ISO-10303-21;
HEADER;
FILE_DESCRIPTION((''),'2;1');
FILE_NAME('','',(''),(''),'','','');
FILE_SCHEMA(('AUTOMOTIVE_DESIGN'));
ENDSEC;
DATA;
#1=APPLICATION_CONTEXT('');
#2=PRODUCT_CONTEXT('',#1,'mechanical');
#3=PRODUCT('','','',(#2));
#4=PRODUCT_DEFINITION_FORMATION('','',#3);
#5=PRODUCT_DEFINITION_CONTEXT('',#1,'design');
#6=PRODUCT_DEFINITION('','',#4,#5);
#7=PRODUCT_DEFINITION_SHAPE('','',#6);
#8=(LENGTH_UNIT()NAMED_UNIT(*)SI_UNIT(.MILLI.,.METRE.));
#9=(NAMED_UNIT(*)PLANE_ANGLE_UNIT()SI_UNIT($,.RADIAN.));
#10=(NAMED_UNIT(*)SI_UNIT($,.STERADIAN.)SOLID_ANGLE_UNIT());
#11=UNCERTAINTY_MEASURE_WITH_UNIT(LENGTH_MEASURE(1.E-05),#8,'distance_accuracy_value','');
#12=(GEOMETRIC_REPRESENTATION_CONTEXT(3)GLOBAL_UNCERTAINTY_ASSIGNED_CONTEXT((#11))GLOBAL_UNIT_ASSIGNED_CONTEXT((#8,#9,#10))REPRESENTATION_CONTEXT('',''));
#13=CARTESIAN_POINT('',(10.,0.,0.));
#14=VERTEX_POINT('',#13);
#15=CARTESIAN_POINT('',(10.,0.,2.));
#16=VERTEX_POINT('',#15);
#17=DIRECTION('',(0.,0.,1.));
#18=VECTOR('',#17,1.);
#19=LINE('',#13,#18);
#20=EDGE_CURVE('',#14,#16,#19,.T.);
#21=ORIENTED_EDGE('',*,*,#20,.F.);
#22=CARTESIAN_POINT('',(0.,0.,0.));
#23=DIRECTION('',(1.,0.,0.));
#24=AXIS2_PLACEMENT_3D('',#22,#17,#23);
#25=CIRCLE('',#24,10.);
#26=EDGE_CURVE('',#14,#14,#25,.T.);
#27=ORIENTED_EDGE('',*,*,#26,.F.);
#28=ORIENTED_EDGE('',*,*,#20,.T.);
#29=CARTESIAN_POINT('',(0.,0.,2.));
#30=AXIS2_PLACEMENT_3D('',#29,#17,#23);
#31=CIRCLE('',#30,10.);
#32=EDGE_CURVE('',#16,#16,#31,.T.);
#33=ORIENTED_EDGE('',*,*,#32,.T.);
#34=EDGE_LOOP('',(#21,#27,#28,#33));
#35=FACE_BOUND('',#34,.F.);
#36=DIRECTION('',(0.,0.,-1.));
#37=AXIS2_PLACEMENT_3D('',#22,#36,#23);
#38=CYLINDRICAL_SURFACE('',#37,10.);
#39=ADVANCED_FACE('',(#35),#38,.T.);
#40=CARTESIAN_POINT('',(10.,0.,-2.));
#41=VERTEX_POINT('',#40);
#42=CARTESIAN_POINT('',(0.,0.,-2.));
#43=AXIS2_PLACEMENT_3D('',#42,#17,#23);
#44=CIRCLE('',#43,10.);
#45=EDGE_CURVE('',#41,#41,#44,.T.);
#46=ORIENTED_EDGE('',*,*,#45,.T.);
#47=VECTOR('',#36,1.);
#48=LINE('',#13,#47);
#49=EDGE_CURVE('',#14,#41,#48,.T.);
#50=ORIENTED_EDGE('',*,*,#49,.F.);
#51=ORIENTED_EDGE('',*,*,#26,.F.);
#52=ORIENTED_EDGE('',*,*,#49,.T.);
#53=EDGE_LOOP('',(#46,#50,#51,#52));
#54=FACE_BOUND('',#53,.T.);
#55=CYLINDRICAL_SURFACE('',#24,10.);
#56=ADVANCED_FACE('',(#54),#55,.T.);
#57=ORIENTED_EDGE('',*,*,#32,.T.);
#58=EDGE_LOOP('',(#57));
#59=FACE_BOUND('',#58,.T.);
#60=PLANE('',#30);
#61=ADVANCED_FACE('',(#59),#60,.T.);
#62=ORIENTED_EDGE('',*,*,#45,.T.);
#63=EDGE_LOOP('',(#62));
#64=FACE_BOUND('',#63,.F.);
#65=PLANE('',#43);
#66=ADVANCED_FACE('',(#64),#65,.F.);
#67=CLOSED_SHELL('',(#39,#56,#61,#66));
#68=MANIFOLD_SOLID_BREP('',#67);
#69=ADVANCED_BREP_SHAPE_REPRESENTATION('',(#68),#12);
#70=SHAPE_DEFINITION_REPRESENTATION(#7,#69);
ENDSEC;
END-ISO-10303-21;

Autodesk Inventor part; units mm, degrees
ref_plane "YZ Plane" through (0, 0, 0) normal (1, 0, 0) x (0, 1, 0)
ref_plane "XZ Plane" through (0, 0, 0) normal (0, 1, 0) x (-1, 0, 0)
ref_plane "XY Plane" through (0, 0, 0) normal (0, 0, 1) x (1, 0, 0)
sketch "Sketch1" plane through (0, 0, 0) normal (0, 0, 1) x (1, 0, 0)
  circle A0 centre (0, 0) radius 10
  dimension "d0" = 20
extrude "Extrusion1" add sketch "Sketch1" along normal mid plane 4
properties part number "Motor_joint"
